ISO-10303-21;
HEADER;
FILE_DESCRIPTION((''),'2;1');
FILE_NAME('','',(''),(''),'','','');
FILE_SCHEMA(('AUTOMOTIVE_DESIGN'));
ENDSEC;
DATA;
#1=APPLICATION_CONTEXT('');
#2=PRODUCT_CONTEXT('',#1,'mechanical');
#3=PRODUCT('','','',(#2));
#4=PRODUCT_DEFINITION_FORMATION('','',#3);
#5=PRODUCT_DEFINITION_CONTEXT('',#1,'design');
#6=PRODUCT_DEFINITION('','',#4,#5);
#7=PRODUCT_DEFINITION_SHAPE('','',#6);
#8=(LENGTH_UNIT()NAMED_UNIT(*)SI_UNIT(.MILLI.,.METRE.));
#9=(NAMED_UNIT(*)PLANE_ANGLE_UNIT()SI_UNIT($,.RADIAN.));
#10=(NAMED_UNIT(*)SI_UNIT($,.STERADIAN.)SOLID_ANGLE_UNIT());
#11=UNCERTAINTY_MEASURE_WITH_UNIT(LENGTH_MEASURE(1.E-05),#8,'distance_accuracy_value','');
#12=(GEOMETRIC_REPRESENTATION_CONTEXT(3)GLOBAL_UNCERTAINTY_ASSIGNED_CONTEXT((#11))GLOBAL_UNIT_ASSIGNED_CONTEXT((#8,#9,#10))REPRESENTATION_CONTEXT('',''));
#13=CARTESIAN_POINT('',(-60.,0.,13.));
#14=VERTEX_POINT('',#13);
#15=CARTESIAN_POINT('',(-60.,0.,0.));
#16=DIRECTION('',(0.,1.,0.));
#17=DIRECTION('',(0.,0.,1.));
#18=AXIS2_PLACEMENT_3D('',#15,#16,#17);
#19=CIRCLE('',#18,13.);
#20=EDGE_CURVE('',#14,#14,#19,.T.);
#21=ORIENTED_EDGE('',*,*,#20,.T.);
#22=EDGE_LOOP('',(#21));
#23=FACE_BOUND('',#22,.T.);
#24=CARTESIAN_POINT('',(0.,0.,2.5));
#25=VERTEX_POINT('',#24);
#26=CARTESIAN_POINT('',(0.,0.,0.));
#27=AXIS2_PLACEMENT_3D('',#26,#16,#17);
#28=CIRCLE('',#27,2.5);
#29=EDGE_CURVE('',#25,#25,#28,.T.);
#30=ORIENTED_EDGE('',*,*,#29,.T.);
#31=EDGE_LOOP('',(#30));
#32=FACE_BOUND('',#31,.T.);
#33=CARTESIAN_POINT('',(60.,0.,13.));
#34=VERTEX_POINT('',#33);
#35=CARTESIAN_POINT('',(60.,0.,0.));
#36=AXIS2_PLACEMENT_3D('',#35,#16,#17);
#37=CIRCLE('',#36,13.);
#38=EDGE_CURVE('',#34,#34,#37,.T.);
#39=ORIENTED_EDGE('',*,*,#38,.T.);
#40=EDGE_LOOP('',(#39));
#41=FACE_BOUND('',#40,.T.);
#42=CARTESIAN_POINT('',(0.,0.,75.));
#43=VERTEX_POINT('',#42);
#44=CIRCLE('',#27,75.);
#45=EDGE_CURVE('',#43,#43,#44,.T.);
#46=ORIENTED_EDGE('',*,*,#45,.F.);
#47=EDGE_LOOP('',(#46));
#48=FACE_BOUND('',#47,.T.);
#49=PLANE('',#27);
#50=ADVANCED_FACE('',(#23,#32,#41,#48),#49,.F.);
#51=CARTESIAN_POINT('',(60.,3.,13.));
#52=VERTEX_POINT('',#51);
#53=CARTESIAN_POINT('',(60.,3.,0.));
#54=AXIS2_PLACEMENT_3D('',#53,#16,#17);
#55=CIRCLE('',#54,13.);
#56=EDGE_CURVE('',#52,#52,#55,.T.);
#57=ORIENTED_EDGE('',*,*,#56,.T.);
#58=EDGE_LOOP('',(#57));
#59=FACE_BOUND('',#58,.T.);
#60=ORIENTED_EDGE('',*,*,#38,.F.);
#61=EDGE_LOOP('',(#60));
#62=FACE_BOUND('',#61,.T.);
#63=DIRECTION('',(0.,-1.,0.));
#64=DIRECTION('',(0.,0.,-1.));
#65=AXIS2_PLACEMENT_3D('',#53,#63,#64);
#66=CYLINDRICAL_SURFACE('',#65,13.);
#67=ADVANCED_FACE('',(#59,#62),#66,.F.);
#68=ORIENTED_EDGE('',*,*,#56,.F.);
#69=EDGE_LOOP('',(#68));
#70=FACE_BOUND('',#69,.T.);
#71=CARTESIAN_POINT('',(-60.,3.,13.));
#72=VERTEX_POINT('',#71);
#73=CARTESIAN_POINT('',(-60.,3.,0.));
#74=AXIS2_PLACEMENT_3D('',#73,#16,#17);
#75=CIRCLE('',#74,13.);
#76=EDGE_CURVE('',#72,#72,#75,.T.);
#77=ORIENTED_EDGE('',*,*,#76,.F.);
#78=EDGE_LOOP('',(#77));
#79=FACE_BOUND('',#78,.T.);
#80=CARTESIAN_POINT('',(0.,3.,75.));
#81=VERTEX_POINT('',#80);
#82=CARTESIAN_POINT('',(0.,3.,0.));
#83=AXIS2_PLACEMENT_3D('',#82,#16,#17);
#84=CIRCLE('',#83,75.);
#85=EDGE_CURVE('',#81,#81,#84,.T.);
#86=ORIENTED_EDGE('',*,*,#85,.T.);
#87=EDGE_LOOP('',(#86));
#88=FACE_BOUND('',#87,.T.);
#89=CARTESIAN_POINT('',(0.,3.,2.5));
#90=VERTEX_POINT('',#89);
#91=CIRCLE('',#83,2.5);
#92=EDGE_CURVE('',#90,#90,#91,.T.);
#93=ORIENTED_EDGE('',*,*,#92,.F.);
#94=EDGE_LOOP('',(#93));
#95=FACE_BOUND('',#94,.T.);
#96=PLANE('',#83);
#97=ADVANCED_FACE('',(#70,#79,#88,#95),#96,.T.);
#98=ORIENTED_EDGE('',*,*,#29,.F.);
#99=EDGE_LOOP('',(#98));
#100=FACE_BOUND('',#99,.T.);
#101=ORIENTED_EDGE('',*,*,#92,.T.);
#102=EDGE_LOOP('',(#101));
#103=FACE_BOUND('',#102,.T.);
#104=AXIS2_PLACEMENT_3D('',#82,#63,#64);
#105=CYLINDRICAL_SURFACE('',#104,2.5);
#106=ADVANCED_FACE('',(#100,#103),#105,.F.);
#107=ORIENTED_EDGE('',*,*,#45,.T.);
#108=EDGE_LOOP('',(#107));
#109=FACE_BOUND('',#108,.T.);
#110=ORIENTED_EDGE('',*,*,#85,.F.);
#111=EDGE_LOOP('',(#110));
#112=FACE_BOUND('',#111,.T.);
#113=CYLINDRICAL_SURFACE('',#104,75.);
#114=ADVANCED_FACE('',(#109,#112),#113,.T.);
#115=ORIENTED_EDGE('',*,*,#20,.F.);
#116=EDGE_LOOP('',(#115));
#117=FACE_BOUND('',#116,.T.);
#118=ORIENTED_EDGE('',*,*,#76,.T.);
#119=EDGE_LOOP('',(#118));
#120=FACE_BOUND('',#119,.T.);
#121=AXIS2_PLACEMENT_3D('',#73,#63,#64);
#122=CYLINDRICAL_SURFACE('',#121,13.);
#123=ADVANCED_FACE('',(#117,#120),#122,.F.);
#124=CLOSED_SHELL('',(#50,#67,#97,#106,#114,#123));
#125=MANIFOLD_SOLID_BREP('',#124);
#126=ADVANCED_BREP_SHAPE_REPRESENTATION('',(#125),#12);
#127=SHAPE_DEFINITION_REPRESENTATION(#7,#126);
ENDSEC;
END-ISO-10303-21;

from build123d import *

# Parameters (mm, degrees)
SKETCH1_R           = 75
SKETCH1_R_2         = 13
BOSS_EXTRUDE1_DEPTH = 3
SKETCH1_4_R         = 75
SKETCH1_4_R_2       = 13
BOSS_EXTRUDE2_DEPTH = 3


with BuildPart() as part:
    # Sketch1 → Boss-Extrude1 (new body)
    with BuildSketch(Plane(origin=(0, 0, 0), x_dir=(1, 0, 0), z_dir=(0, 1, 0))):
        Circle(SKETCH1_R)
        with Locations((-60, 0)):
            Circle(SKETCH1_R_2, mode=Mode.SUBTRACT)
        with BuildLine():
            ThreePointArc((-2.5, 0), (0, 2.5), (2.5, 0))
            ThreePointArc((2.5, 0), (0, -2.5), (-2.5, 0))
        make_face(mode=Mode.SUBTRACT)
        with BuildLine():
            ThreePointArc((73, 0), (60, -13), (47, 0))
            ThreePointArc((47, 0), (60, 13), (73, 0))
        make_face(mode=Mode.SUBTRACT)
    extrude(amount=BOSS_EXTRUDE1_DEPTH)

    # Sketch1<4> → Boss-Extrude2 (add)
    with BuildSketch(Plane(origin=(0, 0, 0), x_dir=(1, 0, 0), z_dir=(0, 1, 0))):
        Circle(SKETCH1_4_R)
        with Locations((-60, 0)):
            Circle(SKETCH1_4_R_2, mode=Mode.SUBTRACT)
        with BuildLine():
            ThreePointArc((-2.5, 0), (0, 2.5), (2.5, 0))
            ThreePointArc((2.5, 0), (0, -2.5), (-2.5, 0))
        make_face(mode=Mode.SUBTRACT)
        with BuildLine():
            ThreePointArc((73, 0), (60, -13), (47, 0))
            ThreePointArc((47, 0), (60, 13), (73, 0))
        make_face(mode=Mode.SUBTRACT)
    extrude(amount=BOSS_EXTRUDE2_DEPTH)


solid = part.part
